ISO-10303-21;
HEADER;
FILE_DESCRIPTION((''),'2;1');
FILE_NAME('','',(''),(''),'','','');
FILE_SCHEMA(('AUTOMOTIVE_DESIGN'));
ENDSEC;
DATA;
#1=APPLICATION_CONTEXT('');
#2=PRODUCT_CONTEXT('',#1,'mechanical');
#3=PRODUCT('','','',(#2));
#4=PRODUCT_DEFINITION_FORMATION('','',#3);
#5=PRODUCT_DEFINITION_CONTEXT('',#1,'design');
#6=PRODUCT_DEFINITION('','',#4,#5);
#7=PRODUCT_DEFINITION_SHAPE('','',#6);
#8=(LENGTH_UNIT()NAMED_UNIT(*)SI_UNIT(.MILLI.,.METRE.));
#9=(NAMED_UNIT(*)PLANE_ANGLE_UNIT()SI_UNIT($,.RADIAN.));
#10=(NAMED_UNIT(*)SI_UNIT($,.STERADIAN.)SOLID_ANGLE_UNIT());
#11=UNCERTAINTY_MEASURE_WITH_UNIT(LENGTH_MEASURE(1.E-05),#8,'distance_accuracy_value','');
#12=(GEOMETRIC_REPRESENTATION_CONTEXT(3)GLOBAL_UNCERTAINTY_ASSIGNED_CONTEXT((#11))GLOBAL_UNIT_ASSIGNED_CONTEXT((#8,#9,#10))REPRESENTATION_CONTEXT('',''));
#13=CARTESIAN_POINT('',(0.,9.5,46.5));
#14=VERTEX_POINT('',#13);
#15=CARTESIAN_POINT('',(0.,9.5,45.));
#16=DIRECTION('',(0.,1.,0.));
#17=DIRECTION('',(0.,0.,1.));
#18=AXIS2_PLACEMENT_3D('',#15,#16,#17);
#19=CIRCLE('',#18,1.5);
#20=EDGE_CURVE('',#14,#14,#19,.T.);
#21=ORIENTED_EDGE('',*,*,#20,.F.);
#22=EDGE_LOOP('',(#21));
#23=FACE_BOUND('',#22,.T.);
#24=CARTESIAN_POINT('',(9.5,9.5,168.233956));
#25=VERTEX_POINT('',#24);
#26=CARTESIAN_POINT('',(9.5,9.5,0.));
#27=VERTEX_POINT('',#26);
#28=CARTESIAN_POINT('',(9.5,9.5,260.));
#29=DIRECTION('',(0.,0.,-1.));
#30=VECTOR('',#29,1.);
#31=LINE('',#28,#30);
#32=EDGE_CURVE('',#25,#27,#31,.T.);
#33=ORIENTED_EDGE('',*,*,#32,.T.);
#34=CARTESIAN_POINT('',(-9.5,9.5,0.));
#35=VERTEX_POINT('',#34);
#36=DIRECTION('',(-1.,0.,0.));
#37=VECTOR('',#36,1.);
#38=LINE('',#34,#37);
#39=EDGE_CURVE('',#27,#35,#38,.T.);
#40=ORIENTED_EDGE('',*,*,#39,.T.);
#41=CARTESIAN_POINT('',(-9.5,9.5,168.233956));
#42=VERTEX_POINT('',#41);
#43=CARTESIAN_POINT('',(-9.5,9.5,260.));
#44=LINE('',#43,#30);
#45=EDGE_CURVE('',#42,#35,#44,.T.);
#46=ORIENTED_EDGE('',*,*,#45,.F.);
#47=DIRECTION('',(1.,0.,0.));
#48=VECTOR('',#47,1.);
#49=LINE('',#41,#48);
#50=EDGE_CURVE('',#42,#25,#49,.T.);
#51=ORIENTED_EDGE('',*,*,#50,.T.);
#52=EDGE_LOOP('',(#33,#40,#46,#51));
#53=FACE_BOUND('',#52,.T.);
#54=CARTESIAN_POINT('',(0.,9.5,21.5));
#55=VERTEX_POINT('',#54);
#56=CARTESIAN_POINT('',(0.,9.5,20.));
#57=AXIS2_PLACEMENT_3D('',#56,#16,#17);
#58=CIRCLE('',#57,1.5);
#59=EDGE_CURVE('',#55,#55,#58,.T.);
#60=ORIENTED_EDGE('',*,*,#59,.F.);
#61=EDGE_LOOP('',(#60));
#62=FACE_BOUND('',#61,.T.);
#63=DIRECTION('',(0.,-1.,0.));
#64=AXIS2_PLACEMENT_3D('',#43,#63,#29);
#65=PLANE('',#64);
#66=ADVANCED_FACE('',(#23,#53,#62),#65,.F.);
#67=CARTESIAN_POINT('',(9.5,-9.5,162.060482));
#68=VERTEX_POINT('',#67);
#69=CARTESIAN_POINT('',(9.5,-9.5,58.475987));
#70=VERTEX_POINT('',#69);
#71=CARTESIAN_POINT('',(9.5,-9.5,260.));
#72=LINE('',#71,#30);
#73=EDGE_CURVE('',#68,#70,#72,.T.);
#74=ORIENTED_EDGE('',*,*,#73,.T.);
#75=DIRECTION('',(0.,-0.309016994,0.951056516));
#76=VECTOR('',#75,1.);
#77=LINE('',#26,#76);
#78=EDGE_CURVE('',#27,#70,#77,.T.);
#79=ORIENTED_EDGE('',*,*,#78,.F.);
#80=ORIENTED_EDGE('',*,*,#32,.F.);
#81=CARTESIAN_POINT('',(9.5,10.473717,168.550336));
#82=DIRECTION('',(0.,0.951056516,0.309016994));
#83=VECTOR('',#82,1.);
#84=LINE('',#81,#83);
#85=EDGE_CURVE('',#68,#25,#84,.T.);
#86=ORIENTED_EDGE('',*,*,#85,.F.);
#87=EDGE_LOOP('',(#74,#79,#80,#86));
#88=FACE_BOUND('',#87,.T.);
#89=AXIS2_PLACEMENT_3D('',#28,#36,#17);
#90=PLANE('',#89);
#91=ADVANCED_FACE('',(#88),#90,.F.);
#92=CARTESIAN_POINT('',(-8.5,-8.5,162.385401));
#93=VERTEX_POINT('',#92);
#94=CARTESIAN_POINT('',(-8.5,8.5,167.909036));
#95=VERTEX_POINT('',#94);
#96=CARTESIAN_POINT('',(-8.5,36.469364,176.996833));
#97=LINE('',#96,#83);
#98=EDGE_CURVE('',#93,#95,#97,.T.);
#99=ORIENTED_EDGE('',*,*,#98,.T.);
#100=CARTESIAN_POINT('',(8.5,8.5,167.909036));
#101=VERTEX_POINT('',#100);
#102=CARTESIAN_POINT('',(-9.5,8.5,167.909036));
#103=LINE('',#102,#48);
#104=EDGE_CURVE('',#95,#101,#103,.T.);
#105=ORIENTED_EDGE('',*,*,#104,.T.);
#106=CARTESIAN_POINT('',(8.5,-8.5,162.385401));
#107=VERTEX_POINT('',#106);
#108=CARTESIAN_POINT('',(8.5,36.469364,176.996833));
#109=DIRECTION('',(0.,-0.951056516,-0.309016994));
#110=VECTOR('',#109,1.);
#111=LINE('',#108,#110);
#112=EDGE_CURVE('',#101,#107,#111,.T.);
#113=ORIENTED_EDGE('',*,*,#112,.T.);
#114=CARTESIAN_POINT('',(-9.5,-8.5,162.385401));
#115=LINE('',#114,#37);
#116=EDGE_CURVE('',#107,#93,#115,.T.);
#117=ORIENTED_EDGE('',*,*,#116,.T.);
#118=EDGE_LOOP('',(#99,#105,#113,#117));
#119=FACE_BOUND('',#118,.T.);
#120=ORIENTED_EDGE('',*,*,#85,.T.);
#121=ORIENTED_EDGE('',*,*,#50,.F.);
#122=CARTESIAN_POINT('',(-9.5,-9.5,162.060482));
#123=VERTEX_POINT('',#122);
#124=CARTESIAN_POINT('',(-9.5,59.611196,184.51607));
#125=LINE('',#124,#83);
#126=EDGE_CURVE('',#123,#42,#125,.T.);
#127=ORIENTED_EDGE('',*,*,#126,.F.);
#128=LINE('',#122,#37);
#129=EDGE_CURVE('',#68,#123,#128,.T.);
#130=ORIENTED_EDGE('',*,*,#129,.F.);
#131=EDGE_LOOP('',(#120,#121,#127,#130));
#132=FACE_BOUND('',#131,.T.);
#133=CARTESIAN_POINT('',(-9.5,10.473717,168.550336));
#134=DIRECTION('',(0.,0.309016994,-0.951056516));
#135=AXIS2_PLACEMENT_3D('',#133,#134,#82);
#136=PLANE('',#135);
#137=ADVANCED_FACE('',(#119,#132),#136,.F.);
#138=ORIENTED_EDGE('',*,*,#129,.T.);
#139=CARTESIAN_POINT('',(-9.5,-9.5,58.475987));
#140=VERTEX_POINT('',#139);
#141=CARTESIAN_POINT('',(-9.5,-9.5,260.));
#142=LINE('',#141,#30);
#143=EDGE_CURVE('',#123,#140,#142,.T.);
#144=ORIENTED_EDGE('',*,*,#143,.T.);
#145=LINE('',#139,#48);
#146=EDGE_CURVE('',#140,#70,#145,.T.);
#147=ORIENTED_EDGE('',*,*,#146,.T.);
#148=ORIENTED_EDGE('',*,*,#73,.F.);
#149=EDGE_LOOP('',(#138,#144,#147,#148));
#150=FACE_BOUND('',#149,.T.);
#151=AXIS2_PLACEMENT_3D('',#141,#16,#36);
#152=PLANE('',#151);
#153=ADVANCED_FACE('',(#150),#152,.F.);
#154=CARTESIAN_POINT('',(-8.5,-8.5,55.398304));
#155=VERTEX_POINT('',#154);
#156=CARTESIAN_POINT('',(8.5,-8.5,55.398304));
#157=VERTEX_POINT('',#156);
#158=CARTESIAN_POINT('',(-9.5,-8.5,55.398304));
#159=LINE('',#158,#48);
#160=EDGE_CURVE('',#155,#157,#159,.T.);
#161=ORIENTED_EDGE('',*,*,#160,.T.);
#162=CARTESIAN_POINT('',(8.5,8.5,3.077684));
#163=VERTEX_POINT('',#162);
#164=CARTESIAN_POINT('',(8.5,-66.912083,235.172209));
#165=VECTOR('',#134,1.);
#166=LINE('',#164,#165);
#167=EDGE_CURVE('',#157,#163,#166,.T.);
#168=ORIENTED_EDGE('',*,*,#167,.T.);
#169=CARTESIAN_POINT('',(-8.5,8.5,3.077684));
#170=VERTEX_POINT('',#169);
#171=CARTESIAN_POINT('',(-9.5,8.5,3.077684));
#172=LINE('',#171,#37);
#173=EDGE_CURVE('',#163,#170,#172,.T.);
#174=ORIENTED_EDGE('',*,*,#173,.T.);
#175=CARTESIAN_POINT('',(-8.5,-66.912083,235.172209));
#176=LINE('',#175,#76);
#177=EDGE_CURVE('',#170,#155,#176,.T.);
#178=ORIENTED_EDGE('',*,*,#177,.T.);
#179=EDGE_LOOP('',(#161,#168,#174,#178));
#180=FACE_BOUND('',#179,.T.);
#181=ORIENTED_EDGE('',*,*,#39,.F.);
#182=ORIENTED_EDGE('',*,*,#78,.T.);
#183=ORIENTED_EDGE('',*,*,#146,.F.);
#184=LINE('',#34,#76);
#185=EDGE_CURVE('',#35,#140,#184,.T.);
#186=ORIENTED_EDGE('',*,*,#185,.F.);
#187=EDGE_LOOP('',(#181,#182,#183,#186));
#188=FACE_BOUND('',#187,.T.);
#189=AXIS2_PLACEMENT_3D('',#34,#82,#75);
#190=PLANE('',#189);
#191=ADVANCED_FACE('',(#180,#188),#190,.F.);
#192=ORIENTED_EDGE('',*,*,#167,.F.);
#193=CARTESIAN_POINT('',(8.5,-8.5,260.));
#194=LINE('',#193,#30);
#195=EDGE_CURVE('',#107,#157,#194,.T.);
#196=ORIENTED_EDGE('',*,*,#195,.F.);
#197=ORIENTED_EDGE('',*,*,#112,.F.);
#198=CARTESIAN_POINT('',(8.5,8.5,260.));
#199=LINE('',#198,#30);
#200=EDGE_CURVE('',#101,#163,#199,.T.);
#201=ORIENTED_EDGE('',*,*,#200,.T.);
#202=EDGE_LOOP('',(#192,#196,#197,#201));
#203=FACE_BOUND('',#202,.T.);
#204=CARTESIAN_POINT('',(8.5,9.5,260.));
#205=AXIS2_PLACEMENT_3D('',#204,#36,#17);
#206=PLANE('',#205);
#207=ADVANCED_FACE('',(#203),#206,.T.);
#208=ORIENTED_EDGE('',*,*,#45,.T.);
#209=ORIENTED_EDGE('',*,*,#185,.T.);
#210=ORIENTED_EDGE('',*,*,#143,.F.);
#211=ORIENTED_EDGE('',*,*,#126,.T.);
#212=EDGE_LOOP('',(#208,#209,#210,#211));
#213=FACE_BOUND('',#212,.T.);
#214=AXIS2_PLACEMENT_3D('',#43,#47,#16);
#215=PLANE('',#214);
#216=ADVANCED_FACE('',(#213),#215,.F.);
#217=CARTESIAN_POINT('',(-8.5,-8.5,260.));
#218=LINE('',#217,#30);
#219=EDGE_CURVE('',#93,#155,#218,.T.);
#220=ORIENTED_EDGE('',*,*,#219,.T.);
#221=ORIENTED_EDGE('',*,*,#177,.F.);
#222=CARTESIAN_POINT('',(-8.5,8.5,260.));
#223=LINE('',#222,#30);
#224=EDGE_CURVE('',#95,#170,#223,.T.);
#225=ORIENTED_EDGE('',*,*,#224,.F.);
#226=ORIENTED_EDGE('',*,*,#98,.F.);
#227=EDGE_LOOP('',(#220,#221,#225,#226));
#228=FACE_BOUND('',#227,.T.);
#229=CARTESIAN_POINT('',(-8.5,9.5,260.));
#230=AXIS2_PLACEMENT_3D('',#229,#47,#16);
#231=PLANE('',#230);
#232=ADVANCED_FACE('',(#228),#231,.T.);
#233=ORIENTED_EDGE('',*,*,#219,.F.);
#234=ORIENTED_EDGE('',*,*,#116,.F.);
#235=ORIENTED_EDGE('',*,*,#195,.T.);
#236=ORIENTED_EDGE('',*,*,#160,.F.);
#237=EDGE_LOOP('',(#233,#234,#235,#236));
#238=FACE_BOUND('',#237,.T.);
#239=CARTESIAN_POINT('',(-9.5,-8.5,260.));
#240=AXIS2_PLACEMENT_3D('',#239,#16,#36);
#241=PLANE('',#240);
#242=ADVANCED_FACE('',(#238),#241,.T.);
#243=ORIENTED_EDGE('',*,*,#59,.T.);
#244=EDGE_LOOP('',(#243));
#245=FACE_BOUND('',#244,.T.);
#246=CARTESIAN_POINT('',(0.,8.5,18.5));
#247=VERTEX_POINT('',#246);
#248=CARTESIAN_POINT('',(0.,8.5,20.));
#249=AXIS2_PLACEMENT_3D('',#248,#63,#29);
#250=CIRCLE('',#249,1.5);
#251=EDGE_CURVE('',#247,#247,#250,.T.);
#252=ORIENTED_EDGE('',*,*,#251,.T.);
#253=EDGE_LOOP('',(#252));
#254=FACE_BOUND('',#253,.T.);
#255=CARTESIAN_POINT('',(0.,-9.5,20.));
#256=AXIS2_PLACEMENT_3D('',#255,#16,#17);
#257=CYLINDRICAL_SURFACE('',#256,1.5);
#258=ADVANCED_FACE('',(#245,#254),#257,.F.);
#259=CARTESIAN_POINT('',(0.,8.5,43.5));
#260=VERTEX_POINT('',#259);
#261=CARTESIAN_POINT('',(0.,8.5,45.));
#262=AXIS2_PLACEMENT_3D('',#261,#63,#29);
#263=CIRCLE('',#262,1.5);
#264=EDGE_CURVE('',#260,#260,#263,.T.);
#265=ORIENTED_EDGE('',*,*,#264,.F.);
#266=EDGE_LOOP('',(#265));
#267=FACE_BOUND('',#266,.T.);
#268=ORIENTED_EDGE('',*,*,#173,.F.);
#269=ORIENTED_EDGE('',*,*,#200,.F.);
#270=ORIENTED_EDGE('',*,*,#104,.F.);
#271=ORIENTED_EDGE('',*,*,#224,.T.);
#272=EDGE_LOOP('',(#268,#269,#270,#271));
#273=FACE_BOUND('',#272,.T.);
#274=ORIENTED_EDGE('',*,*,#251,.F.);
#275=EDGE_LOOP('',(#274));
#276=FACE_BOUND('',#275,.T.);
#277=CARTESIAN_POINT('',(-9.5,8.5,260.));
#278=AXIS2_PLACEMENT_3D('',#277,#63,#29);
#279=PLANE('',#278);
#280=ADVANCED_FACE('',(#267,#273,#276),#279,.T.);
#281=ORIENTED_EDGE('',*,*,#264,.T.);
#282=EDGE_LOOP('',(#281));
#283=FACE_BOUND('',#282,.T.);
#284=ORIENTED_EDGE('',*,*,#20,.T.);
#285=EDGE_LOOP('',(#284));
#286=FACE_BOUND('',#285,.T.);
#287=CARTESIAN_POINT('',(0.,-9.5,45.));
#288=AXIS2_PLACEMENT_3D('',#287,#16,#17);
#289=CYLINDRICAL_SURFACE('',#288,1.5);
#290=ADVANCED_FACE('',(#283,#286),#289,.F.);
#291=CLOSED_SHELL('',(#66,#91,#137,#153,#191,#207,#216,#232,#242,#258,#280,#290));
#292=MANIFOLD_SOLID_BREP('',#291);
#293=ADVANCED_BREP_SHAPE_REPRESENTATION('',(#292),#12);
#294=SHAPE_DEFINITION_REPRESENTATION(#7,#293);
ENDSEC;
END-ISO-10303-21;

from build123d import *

# Parameters (mm, degrees)
ESBO_O1_W                = 19
ESBO_O1_H                = 19
RESSALTO_EXTRUS_O1_DEPTH = 260
CASCA2_T                 = -1
CORTE_EXTRUS_O1_DEPTH    = 261.866345089
CORTE_EXTRUS_O3_DEPTH    = 261.866345089
ESBO_O5_R                = 1.5
CORTE_EXTRUS_O4_DEPTH    = 170.569790677


with BuildPart() as part:
    # Esboço1 → Ressalto-extrusão1 (new body)
    with BuildSketch(Plane.XY):
        Rectangle(ESBO_O1_W, ESBO_O1_H)
    extrude(amount=RESSALTO_EXTRUS_O1_DEPTH)

    # Casca2
    casca2_openings = [part.faces().sort_by_distance(p)[0] for p in [
        (0, 0, 260),
        (0, 0, 0),
    ]]
    offset(amount=CASCA2_T, openings=casca2_openings, kind=Kind.INTERSECTION)

    # Esboço2 → Corte-extrusão1 (cut, through all)
    with BuildSketch(Plane(origin=(9.5, 0, 0), x_dir=(0, 0, -1), z_dir=(1, 0, 0))):
        Polygon((0, 9.5), (-58.475987206, -9.5), (0, -9.5), align=None)
    extrude(amount=-CORTE_EXTRUS_O1_DEPTH, mode=Mode.SUBTRACT)

    # Esboço4 → Corte-extrusão3 (cut, through all)
    with BuildSketch(Plane(origin=(9.5, 0, 0), x_dir=(0, 0, -1), z_dir=(1, 0, 0))):
        Polygon((-168.550335734, 10.473717073), (-161.289503816, -11.872825786), (-264.812755879, -45.509569399), (-289.05777752, 22.149749677), (-184.516070462, 59.611196004), align=None)
    extrude(amount=-CORTE_EXTRUS_O3_DEPTH, mode=Mode.SUBTRACT)

    # Esboço5 → Corte-extrusão4 (cut, through all)
    with BuildSketch(Plane(origin=(0, 9.5, 0), x_dir=(1, 0, 0), z_dir=(0, 1, 0))):
        with Locations(Location((0, -20, 0), (0, 0, 270))):
            Circle(ESBO_O5_R)
        with Locations(Location((0, -45, 0), (0, 0, 270))):
            Circle(ESBO_O5_R)
    extrude(amount=-CORTE_EXTRUS_O4_DEPTH, mode=Mode.SUBTRACT)


solid = part.part
